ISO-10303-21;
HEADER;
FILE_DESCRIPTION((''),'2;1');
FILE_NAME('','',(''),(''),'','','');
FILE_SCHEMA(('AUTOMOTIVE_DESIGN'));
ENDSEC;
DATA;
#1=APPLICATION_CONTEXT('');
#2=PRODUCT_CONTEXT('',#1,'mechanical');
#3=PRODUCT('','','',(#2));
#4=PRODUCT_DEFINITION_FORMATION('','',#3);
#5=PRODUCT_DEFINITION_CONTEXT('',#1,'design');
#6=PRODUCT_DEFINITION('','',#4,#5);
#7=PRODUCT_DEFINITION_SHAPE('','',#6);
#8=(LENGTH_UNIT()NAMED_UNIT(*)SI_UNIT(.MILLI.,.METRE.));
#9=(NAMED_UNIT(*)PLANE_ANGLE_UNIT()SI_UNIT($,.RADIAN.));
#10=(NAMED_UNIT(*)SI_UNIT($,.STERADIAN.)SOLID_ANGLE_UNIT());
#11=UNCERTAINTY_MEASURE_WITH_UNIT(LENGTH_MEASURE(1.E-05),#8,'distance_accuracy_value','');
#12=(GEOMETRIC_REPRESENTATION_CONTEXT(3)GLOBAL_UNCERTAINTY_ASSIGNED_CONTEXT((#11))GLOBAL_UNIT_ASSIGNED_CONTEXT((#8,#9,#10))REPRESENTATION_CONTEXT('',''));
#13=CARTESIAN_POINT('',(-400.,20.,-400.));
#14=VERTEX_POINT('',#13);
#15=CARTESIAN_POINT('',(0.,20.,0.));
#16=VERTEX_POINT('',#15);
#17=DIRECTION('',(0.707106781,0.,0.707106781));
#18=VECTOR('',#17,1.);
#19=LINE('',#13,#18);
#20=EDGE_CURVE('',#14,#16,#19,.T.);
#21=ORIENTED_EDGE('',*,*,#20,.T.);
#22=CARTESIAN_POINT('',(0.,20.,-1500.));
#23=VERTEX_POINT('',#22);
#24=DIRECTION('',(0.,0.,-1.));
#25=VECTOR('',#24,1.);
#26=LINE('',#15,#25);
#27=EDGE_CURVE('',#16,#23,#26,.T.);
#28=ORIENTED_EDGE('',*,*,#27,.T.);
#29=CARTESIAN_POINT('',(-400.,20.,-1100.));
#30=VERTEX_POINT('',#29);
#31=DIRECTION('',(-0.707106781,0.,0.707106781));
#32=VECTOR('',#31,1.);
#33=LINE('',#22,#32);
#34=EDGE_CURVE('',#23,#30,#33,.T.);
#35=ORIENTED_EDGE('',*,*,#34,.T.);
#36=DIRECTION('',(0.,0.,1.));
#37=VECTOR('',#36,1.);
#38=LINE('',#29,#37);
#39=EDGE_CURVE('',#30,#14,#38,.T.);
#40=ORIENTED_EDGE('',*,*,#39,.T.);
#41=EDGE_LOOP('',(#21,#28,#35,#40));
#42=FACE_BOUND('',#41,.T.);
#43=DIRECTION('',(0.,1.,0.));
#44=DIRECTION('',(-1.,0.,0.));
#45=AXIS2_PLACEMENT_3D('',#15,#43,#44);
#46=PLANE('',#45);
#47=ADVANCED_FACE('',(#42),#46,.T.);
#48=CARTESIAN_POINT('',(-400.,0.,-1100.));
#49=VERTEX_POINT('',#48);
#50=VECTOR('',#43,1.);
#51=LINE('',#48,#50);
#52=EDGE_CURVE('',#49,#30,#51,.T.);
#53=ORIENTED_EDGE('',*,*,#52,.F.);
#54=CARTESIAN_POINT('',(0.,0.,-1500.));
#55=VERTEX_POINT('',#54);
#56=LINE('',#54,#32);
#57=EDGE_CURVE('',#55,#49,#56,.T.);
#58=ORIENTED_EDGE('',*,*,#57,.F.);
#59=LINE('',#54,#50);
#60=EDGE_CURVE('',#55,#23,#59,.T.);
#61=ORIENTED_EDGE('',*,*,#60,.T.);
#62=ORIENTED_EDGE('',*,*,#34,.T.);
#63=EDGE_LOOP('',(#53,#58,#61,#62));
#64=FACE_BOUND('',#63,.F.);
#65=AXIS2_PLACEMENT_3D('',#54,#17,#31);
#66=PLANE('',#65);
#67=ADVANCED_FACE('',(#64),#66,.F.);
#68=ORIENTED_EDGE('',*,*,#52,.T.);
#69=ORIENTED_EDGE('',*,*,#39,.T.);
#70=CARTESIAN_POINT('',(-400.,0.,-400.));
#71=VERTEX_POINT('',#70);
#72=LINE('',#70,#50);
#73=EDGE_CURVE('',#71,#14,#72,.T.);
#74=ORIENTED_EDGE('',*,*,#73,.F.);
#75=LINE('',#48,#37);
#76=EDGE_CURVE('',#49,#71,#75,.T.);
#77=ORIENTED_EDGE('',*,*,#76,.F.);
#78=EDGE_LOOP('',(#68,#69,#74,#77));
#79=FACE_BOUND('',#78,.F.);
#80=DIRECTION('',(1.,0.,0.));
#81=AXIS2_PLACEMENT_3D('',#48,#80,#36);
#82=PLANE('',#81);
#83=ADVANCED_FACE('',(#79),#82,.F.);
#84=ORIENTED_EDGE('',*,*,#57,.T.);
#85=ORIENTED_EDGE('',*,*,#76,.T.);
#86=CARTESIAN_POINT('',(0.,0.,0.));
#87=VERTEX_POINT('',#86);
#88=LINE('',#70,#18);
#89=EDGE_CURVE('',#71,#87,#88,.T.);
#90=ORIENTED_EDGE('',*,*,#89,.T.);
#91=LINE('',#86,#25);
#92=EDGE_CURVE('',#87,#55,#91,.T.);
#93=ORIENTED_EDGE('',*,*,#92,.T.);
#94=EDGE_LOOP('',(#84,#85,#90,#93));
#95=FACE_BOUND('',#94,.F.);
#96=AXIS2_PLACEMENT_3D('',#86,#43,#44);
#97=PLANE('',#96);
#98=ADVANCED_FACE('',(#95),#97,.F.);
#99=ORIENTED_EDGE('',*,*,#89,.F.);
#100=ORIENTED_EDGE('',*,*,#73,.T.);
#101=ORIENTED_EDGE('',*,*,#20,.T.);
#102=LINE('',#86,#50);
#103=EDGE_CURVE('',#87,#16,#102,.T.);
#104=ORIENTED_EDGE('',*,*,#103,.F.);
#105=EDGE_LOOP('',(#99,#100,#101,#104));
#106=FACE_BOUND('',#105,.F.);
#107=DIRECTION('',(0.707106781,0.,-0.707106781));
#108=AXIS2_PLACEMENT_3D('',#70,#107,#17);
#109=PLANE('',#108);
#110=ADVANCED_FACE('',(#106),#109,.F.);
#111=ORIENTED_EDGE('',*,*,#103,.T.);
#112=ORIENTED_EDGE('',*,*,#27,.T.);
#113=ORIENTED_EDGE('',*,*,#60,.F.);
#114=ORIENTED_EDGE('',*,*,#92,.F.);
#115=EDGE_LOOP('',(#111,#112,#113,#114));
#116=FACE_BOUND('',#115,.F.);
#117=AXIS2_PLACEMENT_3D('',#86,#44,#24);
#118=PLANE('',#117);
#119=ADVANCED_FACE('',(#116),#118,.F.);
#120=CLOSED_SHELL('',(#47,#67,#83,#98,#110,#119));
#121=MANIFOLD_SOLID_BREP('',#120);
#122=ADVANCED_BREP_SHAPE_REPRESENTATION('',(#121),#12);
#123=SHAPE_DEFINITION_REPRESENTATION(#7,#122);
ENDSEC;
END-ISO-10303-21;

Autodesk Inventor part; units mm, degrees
ref_plane "YZ Plane" through (0, 0, 0) normal (1, 0, 0) x (0, 1, 0)
ref_plane "XZ Plane" through (0, 0, 0) normal (0, 1, 0) x (-1, 0, 0)
ref_plane "XY Plane" through (0, 0, 0) normal (0, 0, 1) x (1, 0, 0)
sketch "Sketch4" plane through (0, 0, 0) normal (0, 1, 0) x (-1, 0, 0)
  line L0 (0, 0) -> (0, -1500)
  line L1 (0, -1500) -> (400, -1100)
  line L2 (400, -1100) -> (400, -400)
  line L3 (400, -400) -> (0, 0)
  dimension "d5" = 45
  dimension "d6" = 45
  dimension "d7" = 700
  dimension "d8" = 1500
extrude "Extrusion1" add sketch "Sketch4" along normal blind 20
properties part number "top long"
